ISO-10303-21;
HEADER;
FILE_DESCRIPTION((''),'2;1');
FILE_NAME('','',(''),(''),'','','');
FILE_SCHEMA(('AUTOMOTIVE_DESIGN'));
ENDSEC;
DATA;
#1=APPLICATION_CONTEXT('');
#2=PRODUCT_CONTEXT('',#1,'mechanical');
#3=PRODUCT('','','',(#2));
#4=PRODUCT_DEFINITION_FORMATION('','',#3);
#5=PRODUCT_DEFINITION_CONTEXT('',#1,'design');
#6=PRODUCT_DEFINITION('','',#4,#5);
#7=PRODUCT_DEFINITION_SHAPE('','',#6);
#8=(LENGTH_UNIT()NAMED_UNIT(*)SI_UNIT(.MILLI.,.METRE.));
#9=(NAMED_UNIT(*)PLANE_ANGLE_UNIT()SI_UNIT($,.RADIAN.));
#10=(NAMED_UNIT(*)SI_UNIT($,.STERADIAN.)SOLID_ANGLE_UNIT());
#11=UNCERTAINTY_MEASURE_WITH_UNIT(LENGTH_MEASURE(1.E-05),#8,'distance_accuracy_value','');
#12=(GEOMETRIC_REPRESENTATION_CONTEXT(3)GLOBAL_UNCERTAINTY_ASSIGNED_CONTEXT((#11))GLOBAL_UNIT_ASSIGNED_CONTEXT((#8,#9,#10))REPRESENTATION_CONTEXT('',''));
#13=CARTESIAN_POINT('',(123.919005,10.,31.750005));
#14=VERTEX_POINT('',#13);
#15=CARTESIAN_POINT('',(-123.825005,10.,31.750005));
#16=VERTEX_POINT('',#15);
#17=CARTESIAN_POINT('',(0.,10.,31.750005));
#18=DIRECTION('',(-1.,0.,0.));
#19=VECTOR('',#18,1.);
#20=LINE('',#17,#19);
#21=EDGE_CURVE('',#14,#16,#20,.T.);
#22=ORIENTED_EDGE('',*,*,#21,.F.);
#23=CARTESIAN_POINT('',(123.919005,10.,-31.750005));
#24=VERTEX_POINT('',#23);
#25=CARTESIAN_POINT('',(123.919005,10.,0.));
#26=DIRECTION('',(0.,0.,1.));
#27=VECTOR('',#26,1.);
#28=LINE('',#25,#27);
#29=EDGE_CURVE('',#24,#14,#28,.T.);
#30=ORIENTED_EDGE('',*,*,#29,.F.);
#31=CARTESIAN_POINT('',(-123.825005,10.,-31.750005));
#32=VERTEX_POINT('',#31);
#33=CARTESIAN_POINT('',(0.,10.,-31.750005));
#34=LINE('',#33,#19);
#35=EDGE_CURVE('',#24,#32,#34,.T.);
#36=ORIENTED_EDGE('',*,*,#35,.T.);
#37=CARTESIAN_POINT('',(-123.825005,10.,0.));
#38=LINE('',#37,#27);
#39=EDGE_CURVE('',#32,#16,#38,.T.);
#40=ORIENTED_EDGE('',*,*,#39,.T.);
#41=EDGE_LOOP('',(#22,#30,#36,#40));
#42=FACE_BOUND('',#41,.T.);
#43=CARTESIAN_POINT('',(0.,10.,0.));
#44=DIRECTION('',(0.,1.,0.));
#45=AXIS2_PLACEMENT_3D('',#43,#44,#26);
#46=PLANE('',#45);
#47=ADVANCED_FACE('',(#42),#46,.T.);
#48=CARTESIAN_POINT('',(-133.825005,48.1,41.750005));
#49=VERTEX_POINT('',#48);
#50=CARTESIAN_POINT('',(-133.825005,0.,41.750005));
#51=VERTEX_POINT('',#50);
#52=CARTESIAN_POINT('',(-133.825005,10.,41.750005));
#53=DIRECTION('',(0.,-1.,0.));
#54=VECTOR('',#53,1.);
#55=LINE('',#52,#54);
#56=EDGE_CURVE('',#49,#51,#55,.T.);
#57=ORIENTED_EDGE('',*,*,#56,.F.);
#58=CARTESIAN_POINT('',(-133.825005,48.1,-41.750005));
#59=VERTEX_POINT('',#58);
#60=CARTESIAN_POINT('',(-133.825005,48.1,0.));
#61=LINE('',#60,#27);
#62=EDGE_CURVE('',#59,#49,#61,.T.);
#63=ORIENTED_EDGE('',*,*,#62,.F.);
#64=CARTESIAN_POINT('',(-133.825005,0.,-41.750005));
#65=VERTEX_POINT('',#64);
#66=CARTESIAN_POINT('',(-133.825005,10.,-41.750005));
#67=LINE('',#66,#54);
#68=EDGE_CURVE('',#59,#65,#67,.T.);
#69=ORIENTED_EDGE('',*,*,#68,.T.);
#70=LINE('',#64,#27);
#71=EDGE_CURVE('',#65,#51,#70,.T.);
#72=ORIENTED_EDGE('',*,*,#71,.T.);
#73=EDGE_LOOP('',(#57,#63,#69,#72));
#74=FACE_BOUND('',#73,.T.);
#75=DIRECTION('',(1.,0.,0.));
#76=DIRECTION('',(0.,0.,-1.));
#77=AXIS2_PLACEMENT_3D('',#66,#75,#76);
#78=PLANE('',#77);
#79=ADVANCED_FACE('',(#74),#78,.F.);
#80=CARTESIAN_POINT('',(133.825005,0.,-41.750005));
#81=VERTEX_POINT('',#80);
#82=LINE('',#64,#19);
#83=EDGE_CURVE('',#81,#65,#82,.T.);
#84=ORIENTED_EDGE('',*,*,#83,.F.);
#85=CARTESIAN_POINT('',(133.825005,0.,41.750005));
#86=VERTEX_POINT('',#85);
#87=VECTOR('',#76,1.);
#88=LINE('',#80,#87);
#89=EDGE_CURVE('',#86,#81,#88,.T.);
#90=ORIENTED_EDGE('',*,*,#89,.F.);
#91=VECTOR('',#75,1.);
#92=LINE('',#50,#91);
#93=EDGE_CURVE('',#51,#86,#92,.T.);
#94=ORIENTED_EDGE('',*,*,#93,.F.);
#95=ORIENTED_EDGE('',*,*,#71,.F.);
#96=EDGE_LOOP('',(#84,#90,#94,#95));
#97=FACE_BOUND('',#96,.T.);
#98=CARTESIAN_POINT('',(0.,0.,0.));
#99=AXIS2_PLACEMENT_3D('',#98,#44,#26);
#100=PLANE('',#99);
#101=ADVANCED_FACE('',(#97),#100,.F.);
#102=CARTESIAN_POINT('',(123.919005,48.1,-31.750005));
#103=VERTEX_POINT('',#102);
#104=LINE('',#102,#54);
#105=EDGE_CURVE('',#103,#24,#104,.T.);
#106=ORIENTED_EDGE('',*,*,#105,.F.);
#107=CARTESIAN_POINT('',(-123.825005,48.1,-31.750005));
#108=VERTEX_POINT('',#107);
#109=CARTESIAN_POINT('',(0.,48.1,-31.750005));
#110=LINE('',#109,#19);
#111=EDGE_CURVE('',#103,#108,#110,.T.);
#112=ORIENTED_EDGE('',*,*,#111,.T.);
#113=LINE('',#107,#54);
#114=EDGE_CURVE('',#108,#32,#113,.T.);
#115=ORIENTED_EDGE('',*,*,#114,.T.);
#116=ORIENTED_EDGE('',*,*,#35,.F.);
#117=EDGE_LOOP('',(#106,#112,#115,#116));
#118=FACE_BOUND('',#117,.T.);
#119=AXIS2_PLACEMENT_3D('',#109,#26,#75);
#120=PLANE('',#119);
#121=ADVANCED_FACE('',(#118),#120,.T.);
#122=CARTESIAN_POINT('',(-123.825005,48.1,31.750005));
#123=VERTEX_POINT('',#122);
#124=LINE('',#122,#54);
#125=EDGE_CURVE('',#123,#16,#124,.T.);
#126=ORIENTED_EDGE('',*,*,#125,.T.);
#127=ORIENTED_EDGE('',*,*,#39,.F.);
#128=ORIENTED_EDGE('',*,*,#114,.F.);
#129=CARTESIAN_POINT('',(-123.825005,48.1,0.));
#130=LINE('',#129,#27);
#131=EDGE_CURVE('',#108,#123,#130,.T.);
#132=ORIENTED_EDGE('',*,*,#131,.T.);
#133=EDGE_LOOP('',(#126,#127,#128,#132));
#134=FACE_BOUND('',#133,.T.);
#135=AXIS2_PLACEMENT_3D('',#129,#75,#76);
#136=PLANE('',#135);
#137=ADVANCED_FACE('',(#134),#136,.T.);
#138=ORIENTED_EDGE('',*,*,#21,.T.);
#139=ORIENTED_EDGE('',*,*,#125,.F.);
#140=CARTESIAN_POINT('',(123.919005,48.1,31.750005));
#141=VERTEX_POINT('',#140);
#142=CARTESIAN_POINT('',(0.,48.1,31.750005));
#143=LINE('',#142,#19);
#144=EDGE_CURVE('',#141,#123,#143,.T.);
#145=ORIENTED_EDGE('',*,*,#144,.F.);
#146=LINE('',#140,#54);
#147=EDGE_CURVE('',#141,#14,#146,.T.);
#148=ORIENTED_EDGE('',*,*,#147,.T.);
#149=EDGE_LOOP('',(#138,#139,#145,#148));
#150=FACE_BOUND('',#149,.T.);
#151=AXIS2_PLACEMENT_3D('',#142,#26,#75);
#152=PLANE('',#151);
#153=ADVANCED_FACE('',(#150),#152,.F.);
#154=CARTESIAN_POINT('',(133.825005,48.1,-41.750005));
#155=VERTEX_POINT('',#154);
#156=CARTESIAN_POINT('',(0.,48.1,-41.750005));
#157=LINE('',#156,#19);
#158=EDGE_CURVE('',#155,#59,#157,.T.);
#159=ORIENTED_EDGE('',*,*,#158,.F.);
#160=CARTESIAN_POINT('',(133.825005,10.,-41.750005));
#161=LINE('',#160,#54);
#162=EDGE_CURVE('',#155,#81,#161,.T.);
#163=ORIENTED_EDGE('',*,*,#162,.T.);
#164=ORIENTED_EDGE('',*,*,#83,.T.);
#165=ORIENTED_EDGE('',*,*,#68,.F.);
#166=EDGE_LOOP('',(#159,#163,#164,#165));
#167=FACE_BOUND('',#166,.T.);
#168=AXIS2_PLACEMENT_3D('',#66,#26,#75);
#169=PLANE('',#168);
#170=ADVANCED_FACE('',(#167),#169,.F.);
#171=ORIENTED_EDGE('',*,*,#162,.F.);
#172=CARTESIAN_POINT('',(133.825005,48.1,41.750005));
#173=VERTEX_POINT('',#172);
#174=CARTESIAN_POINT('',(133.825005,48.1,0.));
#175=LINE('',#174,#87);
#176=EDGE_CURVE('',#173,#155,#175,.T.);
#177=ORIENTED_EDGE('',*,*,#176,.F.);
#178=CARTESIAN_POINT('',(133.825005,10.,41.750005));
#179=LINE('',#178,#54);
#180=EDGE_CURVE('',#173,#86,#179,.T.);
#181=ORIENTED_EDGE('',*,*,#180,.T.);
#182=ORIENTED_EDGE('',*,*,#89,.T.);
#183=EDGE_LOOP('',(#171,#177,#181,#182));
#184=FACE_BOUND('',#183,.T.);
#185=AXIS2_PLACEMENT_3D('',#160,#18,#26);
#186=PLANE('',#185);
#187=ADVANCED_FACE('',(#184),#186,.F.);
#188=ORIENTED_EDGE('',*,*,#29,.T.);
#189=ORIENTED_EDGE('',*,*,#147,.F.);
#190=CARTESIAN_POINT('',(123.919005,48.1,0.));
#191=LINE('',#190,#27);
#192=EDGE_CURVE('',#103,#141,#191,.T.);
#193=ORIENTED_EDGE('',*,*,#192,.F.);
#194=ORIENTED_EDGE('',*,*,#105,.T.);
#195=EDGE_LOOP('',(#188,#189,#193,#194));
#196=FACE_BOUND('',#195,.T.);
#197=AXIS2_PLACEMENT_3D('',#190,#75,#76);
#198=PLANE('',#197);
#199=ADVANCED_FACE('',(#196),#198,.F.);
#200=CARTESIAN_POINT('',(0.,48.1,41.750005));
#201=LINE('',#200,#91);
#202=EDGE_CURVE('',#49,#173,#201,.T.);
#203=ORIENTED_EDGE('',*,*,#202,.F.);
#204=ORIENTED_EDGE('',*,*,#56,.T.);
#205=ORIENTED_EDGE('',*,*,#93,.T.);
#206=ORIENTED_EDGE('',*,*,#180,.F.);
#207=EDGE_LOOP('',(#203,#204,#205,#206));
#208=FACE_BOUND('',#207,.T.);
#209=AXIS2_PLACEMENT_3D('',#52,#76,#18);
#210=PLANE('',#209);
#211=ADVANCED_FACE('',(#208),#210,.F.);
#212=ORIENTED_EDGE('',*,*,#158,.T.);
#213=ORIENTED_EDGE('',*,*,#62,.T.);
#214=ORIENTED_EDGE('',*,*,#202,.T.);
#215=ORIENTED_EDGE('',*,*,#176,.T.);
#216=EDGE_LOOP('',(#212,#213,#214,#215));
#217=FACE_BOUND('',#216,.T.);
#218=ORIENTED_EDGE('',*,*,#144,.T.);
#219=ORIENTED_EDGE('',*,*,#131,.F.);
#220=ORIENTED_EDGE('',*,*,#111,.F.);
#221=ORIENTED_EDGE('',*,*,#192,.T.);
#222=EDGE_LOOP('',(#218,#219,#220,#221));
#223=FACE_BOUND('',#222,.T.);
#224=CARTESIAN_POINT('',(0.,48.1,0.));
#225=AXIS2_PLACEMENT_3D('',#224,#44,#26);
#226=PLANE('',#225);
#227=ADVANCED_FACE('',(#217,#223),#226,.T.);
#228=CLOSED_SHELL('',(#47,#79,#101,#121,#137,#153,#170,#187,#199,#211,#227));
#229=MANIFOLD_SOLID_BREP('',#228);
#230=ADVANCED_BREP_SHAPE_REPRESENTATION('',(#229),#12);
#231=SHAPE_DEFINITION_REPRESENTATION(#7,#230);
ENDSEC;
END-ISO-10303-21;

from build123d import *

# Parameters (mm, degrees)
SKETCH2_W           = 267.6500108
SKETCH2_H           = 83.5000108
BOSS_EXTRUDE2_DEPTH = 10
SKETCH3_W           = 267.6500108
SKETCH3_H           = 83.5000108
SKETCH3_W_2         = 247.7440108
SKETCH3_H_2         = 63.5000108
BOSS_EXTRUDE3_DEPTH = 38.1


with BuildPart() as part:
    # Sketch2 → Boss-Extrude2 (new body)
    with BuildSketch(Plane(origin=(0, 0, 0), x_dir=(1, 0, 0), z_dir=(0, 1, 0))):
        Rectangle(SKETCH2_W, SKETCH2_H)
    extrude(amount=BOSS_EXTRUDE2_DEPTH)

    # Sketch3 → Boss-Extrude3 (add)
    with BuildSketch(Plane(origin=(0, 10, 0), x_dir=(1, 0, 0), z_dir=(0, 1, 0))):
        Rectangle(SKETCH3_W, SKETCH3_H)
        with Locations((0.047, 0)):
            Rectangle(SKETCH3_W_2, SKETCH3_H_2, mode=Mode.SUBTRACT)
    extrude(amount=BOSS_EXTRUDE3_DEPTH)


solid = part.part
